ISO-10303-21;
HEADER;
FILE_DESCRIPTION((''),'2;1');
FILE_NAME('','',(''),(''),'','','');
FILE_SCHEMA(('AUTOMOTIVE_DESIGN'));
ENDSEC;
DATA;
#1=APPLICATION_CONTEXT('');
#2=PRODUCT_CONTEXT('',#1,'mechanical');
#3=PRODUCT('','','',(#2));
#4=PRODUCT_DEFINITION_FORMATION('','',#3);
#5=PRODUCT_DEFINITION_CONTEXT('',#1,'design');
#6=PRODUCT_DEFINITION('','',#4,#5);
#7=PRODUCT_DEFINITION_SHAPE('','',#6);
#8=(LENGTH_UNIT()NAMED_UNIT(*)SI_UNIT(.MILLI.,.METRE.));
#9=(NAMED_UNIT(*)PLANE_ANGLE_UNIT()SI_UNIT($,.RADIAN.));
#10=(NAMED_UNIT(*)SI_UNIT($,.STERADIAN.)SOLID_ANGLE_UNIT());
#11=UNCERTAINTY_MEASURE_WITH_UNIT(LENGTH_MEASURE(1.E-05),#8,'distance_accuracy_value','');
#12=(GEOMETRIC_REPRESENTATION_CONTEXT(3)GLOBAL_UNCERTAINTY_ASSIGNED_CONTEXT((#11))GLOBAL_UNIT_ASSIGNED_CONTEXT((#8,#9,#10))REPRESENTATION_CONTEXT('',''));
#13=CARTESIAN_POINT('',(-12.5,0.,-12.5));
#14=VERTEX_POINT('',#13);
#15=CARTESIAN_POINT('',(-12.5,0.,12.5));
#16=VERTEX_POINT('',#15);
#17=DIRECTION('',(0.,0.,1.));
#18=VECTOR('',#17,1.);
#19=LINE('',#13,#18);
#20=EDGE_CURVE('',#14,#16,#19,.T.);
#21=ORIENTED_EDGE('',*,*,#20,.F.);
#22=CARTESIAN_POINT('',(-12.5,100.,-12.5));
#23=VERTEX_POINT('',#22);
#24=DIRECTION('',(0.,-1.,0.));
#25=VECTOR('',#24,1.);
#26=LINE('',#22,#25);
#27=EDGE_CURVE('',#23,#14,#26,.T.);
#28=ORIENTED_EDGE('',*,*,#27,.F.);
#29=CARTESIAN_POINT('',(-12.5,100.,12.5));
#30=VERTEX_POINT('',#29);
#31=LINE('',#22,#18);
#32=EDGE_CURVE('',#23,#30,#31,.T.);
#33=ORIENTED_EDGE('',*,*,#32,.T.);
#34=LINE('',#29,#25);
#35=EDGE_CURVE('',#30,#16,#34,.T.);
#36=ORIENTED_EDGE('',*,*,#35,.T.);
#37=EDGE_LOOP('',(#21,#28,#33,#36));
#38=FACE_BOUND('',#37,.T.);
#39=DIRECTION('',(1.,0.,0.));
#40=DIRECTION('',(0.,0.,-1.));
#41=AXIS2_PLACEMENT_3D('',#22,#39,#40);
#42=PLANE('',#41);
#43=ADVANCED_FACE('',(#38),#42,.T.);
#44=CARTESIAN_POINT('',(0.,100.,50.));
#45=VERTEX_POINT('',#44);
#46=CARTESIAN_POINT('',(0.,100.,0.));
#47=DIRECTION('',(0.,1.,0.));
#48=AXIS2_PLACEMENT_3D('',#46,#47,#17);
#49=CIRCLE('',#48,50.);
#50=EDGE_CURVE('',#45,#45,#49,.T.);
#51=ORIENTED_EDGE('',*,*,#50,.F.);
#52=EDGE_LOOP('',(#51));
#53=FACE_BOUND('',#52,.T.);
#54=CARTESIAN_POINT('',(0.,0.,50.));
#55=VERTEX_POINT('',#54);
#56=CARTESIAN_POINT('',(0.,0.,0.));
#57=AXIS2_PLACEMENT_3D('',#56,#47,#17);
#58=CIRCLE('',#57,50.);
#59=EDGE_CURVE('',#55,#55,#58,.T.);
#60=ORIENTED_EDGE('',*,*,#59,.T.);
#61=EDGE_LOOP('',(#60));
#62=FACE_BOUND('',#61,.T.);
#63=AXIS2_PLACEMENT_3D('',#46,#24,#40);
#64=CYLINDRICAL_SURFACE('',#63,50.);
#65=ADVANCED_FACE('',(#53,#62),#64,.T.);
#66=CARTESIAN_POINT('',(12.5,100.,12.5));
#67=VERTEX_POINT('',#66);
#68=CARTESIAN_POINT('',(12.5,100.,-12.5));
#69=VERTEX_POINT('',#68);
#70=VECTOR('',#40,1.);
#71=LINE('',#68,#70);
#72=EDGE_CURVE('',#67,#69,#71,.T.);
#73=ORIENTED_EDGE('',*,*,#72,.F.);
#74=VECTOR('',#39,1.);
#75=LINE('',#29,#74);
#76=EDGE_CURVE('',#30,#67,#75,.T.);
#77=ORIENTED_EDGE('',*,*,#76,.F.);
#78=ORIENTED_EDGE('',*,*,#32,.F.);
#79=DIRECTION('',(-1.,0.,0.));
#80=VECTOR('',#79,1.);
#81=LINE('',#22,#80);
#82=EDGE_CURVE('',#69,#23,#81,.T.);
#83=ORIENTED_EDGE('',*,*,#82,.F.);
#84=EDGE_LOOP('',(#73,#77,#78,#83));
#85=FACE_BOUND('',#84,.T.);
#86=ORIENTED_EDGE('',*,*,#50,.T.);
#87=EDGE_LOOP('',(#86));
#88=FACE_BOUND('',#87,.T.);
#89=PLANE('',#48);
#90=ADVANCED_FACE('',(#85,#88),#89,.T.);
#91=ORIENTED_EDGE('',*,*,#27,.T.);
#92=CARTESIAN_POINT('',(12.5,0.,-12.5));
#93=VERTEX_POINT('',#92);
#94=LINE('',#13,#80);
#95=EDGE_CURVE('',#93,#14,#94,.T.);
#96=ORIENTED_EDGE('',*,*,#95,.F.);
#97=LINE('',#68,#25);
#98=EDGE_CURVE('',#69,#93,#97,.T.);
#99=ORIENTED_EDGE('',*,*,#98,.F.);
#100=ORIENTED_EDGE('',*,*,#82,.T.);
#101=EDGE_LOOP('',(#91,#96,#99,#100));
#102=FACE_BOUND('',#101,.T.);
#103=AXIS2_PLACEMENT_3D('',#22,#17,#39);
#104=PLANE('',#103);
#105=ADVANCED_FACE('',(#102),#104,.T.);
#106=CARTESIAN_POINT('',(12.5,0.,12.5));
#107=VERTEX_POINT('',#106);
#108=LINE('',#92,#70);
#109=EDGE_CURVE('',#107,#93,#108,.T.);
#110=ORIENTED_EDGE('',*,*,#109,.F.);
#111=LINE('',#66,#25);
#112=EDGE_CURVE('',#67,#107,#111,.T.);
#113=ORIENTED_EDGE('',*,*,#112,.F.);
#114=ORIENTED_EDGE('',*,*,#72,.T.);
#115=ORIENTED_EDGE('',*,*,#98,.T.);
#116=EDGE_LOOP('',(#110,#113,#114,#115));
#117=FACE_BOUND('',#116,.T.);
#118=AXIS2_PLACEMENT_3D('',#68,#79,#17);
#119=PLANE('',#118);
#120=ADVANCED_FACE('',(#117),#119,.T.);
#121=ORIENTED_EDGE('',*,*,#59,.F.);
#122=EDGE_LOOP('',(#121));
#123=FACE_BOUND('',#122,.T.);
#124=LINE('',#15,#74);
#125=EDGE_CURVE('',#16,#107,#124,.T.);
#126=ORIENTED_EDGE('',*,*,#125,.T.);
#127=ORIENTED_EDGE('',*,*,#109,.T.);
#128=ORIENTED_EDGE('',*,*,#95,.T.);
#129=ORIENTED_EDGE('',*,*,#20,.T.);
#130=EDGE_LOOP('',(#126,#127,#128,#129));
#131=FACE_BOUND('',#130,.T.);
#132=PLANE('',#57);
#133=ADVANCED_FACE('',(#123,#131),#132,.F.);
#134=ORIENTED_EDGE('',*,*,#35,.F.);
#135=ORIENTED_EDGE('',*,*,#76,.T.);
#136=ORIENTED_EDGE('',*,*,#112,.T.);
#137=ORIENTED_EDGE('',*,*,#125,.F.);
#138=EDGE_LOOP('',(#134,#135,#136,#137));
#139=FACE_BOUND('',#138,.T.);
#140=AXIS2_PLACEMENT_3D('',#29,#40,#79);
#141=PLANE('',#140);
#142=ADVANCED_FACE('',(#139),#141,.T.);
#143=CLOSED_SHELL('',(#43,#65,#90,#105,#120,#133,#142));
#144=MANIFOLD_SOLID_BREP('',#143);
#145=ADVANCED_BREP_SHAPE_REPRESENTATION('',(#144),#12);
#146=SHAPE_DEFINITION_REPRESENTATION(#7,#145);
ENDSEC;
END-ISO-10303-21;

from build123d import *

# Parameters (mm, degrees)
SKETCH3_R           = 50
SKETCH3_W           = 25
SKETCH3_H           = 25
BOSS_EXTRUDE1_DEPTH = 100


with BuildPart() as part:
    # Sketch3 → Boss-Extrude1 (new body)
    with BuildSketch(Plane(origin=(0, 0, 0), x_dir=(1, 0, 0), z_dir=(0, 1, 0))):
        Circle(SKETCH3_R)
        Rectangle(SKETCH3_W, SKETCH3_H, mode=Mode.SUBTRACT)
    extrude(amount=BOSS_EXTRUDE1_DEPTH)


solid = part.part
